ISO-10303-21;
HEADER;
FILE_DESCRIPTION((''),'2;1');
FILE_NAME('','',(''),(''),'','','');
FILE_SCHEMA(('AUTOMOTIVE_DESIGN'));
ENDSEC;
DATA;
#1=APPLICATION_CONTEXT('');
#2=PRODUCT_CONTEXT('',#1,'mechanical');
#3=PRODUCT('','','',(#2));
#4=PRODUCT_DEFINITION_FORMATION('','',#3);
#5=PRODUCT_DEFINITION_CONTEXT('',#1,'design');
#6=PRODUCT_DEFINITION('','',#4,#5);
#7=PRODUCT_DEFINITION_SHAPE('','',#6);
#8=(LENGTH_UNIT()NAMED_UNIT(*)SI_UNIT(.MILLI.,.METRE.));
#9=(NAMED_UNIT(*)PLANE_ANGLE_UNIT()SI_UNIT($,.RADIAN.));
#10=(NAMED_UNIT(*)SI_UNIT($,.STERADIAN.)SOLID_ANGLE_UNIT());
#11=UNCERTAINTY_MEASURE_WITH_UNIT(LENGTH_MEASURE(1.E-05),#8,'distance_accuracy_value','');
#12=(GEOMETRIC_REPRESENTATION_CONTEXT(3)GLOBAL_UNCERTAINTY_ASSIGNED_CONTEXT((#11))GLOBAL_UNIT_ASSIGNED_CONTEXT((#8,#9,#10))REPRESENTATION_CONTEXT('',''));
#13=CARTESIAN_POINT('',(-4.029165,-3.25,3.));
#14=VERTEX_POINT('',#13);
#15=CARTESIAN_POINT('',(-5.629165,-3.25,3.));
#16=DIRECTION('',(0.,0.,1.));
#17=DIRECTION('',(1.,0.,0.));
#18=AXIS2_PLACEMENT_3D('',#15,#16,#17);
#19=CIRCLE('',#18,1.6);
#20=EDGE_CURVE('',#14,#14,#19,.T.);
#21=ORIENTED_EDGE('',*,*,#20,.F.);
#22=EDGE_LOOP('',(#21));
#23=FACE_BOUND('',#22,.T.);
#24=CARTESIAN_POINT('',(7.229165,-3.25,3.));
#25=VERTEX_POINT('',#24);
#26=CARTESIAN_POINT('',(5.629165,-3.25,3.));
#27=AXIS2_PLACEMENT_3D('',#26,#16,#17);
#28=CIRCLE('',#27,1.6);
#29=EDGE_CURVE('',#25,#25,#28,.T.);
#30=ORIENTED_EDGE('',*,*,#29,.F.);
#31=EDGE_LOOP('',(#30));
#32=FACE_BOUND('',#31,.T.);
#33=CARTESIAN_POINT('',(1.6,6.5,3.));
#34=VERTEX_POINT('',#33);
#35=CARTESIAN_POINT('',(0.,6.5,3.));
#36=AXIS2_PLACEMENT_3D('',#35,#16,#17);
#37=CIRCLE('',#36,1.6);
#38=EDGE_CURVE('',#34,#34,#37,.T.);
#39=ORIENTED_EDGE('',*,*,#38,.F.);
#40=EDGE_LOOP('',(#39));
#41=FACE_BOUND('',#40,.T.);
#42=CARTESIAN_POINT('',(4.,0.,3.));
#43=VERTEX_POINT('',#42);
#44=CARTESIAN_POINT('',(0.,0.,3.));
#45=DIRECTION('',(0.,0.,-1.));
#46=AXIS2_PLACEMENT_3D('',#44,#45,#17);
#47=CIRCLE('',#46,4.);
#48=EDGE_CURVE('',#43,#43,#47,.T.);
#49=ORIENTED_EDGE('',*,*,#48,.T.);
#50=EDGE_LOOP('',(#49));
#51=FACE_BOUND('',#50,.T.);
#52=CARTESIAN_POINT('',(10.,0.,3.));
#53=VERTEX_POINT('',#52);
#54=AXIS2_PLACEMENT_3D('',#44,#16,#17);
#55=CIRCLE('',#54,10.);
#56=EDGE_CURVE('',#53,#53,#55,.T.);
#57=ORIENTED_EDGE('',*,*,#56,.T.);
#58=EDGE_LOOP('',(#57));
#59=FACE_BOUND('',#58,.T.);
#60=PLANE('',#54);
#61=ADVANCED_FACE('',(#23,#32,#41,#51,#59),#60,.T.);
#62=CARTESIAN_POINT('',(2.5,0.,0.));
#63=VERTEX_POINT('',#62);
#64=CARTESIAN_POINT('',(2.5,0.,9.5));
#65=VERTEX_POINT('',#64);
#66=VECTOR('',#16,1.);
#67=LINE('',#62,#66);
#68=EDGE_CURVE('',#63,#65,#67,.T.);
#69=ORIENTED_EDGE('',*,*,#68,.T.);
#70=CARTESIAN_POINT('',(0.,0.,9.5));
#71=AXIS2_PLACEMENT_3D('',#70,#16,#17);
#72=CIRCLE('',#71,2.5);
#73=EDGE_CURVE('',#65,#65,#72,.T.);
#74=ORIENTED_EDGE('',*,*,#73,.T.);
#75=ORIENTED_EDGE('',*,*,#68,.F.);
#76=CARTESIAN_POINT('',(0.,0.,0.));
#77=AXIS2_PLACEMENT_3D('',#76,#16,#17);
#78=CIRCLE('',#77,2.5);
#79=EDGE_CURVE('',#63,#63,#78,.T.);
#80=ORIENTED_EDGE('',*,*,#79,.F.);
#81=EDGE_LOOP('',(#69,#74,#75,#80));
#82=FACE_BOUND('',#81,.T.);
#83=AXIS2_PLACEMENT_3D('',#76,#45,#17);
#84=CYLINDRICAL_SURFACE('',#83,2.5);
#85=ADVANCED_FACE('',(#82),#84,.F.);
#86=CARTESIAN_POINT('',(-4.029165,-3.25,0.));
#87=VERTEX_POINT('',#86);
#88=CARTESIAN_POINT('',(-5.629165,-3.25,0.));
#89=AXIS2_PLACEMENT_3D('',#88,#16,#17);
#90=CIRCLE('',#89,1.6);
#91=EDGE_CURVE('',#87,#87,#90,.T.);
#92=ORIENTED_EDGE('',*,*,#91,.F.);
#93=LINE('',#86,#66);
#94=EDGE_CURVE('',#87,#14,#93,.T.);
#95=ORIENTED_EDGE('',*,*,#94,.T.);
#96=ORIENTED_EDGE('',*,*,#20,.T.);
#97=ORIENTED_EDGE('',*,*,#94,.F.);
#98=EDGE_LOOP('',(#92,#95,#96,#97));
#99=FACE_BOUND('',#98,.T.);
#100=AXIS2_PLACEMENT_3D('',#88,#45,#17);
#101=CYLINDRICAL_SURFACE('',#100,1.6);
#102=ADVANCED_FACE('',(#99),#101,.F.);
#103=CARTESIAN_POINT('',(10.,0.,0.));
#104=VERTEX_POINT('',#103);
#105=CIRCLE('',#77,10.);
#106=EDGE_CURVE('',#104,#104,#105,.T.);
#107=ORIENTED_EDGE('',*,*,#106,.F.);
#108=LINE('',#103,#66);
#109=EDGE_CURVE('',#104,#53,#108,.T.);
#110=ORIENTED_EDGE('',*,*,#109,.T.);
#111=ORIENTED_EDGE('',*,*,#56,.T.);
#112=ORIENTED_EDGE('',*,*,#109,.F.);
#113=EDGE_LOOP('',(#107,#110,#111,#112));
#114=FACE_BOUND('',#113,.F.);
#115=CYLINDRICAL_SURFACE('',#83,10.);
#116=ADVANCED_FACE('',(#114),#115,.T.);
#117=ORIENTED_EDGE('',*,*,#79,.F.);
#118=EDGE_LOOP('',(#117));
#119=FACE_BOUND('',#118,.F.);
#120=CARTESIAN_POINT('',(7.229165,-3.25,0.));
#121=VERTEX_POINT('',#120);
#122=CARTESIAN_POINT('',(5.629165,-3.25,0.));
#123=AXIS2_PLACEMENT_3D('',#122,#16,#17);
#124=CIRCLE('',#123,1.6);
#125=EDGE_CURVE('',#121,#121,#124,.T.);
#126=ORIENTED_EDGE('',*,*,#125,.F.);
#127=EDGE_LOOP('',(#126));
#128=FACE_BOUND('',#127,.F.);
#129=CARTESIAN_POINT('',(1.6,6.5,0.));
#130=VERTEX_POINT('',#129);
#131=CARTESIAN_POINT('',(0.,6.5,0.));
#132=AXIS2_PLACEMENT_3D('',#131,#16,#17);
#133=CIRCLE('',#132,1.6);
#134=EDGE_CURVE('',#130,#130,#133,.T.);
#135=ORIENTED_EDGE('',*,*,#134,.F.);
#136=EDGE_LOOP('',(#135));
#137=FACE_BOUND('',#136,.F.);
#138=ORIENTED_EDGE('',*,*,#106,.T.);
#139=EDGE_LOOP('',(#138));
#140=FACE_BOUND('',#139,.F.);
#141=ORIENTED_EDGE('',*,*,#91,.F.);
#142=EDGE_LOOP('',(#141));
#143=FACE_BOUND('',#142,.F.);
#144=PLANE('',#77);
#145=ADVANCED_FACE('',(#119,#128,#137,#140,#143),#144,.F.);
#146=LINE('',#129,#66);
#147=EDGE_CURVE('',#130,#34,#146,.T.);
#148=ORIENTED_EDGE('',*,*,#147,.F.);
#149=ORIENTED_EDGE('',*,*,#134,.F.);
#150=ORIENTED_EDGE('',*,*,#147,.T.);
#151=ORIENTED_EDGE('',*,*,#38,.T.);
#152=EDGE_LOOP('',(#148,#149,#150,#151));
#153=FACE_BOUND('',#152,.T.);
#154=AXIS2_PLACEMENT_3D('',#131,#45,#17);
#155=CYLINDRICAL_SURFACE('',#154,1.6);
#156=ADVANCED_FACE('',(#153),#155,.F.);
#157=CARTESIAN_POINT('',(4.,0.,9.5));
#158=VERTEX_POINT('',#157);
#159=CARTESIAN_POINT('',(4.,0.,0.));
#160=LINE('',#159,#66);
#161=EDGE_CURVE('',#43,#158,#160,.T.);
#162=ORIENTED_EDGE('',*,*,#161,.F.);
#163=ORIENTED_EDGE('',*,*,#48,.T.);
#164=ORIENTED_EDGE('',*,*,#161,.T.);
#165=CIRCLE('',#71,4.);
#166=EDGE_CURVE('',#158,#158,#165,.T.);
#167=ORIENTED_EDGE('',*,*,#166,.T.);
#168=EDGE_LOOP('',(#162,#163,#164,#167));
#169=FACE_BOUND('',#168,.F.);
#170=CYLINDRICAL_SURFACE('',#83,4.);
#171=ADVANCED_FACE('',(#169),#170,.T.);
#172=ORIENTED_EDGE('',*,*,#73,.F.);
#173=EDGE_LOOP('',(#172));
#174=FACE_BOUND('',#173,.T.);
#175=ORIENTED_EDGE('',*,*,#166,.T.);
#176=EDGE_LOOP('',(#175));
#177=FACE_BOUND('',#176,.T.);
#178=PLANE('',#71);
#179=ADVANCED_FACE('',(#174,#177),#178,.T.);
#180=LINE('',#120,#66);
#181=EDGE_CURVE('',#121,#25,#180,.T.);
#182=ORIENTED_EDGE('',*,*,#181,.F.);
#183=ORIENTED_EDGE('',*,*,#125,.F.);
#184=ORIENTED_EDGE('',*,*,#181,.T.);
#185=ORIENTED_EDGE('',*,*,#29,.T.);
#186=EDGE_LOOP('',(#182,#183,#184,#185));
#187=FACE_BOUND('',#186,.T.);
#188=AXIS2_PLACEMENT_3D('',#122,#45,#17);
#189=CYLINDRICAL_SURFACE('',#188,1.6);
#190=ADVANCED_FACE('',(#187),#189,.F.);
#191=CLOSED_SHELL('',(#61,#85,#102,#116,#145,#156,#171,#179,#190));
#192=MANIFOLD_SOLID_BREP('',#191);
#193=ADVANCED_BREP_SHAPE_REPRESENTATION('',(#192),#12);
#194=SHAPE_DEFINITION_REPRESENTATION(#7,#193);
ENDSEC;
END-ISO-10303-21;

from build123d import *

# Parameters (mm, degrees)
F2_R     = 10
F2_R_2   = 1.6
F2_R_3   = 4
F2_R_4   = 2.5
F3_DEPTH = 3
F4_DEPTH = 9.5


with BuildPart() as f3:
    # F2 (on Top) → F3 (new body)
    with BuildSketch(Plane.XY):
        Circle(F2_R)
        with Locations((-5.6291651246, -3.25)):
            Circle(F2_R_2, mode=Mode.SUBTRACT)
        with Locations((5.6291651246, -3.25)):
            Circle(F2_R_2, mode=Mode.SUBTRACT)
        Circle(F2_R_3, mode=Mode.SUBTRACT)
        with Locations((0, 6.5)):
            Circle(F2_R_2, mode=Mode.SUBTRACT)
        Circle(F2_R_3)
        Circle(F2_R_4, mode=Mode.SUBTRACT)
    extrude(amount=F3_DEPTH)

    # F2 (on Top) → F4 (join)
    with BuildSketch(Plane.XY):
        Circle(F2_R_3)
        Circle(F2_R_4, mode=Mode.SUBTRACT)
    extrude(amount=F4_DEPTH)


solid = f3.part
